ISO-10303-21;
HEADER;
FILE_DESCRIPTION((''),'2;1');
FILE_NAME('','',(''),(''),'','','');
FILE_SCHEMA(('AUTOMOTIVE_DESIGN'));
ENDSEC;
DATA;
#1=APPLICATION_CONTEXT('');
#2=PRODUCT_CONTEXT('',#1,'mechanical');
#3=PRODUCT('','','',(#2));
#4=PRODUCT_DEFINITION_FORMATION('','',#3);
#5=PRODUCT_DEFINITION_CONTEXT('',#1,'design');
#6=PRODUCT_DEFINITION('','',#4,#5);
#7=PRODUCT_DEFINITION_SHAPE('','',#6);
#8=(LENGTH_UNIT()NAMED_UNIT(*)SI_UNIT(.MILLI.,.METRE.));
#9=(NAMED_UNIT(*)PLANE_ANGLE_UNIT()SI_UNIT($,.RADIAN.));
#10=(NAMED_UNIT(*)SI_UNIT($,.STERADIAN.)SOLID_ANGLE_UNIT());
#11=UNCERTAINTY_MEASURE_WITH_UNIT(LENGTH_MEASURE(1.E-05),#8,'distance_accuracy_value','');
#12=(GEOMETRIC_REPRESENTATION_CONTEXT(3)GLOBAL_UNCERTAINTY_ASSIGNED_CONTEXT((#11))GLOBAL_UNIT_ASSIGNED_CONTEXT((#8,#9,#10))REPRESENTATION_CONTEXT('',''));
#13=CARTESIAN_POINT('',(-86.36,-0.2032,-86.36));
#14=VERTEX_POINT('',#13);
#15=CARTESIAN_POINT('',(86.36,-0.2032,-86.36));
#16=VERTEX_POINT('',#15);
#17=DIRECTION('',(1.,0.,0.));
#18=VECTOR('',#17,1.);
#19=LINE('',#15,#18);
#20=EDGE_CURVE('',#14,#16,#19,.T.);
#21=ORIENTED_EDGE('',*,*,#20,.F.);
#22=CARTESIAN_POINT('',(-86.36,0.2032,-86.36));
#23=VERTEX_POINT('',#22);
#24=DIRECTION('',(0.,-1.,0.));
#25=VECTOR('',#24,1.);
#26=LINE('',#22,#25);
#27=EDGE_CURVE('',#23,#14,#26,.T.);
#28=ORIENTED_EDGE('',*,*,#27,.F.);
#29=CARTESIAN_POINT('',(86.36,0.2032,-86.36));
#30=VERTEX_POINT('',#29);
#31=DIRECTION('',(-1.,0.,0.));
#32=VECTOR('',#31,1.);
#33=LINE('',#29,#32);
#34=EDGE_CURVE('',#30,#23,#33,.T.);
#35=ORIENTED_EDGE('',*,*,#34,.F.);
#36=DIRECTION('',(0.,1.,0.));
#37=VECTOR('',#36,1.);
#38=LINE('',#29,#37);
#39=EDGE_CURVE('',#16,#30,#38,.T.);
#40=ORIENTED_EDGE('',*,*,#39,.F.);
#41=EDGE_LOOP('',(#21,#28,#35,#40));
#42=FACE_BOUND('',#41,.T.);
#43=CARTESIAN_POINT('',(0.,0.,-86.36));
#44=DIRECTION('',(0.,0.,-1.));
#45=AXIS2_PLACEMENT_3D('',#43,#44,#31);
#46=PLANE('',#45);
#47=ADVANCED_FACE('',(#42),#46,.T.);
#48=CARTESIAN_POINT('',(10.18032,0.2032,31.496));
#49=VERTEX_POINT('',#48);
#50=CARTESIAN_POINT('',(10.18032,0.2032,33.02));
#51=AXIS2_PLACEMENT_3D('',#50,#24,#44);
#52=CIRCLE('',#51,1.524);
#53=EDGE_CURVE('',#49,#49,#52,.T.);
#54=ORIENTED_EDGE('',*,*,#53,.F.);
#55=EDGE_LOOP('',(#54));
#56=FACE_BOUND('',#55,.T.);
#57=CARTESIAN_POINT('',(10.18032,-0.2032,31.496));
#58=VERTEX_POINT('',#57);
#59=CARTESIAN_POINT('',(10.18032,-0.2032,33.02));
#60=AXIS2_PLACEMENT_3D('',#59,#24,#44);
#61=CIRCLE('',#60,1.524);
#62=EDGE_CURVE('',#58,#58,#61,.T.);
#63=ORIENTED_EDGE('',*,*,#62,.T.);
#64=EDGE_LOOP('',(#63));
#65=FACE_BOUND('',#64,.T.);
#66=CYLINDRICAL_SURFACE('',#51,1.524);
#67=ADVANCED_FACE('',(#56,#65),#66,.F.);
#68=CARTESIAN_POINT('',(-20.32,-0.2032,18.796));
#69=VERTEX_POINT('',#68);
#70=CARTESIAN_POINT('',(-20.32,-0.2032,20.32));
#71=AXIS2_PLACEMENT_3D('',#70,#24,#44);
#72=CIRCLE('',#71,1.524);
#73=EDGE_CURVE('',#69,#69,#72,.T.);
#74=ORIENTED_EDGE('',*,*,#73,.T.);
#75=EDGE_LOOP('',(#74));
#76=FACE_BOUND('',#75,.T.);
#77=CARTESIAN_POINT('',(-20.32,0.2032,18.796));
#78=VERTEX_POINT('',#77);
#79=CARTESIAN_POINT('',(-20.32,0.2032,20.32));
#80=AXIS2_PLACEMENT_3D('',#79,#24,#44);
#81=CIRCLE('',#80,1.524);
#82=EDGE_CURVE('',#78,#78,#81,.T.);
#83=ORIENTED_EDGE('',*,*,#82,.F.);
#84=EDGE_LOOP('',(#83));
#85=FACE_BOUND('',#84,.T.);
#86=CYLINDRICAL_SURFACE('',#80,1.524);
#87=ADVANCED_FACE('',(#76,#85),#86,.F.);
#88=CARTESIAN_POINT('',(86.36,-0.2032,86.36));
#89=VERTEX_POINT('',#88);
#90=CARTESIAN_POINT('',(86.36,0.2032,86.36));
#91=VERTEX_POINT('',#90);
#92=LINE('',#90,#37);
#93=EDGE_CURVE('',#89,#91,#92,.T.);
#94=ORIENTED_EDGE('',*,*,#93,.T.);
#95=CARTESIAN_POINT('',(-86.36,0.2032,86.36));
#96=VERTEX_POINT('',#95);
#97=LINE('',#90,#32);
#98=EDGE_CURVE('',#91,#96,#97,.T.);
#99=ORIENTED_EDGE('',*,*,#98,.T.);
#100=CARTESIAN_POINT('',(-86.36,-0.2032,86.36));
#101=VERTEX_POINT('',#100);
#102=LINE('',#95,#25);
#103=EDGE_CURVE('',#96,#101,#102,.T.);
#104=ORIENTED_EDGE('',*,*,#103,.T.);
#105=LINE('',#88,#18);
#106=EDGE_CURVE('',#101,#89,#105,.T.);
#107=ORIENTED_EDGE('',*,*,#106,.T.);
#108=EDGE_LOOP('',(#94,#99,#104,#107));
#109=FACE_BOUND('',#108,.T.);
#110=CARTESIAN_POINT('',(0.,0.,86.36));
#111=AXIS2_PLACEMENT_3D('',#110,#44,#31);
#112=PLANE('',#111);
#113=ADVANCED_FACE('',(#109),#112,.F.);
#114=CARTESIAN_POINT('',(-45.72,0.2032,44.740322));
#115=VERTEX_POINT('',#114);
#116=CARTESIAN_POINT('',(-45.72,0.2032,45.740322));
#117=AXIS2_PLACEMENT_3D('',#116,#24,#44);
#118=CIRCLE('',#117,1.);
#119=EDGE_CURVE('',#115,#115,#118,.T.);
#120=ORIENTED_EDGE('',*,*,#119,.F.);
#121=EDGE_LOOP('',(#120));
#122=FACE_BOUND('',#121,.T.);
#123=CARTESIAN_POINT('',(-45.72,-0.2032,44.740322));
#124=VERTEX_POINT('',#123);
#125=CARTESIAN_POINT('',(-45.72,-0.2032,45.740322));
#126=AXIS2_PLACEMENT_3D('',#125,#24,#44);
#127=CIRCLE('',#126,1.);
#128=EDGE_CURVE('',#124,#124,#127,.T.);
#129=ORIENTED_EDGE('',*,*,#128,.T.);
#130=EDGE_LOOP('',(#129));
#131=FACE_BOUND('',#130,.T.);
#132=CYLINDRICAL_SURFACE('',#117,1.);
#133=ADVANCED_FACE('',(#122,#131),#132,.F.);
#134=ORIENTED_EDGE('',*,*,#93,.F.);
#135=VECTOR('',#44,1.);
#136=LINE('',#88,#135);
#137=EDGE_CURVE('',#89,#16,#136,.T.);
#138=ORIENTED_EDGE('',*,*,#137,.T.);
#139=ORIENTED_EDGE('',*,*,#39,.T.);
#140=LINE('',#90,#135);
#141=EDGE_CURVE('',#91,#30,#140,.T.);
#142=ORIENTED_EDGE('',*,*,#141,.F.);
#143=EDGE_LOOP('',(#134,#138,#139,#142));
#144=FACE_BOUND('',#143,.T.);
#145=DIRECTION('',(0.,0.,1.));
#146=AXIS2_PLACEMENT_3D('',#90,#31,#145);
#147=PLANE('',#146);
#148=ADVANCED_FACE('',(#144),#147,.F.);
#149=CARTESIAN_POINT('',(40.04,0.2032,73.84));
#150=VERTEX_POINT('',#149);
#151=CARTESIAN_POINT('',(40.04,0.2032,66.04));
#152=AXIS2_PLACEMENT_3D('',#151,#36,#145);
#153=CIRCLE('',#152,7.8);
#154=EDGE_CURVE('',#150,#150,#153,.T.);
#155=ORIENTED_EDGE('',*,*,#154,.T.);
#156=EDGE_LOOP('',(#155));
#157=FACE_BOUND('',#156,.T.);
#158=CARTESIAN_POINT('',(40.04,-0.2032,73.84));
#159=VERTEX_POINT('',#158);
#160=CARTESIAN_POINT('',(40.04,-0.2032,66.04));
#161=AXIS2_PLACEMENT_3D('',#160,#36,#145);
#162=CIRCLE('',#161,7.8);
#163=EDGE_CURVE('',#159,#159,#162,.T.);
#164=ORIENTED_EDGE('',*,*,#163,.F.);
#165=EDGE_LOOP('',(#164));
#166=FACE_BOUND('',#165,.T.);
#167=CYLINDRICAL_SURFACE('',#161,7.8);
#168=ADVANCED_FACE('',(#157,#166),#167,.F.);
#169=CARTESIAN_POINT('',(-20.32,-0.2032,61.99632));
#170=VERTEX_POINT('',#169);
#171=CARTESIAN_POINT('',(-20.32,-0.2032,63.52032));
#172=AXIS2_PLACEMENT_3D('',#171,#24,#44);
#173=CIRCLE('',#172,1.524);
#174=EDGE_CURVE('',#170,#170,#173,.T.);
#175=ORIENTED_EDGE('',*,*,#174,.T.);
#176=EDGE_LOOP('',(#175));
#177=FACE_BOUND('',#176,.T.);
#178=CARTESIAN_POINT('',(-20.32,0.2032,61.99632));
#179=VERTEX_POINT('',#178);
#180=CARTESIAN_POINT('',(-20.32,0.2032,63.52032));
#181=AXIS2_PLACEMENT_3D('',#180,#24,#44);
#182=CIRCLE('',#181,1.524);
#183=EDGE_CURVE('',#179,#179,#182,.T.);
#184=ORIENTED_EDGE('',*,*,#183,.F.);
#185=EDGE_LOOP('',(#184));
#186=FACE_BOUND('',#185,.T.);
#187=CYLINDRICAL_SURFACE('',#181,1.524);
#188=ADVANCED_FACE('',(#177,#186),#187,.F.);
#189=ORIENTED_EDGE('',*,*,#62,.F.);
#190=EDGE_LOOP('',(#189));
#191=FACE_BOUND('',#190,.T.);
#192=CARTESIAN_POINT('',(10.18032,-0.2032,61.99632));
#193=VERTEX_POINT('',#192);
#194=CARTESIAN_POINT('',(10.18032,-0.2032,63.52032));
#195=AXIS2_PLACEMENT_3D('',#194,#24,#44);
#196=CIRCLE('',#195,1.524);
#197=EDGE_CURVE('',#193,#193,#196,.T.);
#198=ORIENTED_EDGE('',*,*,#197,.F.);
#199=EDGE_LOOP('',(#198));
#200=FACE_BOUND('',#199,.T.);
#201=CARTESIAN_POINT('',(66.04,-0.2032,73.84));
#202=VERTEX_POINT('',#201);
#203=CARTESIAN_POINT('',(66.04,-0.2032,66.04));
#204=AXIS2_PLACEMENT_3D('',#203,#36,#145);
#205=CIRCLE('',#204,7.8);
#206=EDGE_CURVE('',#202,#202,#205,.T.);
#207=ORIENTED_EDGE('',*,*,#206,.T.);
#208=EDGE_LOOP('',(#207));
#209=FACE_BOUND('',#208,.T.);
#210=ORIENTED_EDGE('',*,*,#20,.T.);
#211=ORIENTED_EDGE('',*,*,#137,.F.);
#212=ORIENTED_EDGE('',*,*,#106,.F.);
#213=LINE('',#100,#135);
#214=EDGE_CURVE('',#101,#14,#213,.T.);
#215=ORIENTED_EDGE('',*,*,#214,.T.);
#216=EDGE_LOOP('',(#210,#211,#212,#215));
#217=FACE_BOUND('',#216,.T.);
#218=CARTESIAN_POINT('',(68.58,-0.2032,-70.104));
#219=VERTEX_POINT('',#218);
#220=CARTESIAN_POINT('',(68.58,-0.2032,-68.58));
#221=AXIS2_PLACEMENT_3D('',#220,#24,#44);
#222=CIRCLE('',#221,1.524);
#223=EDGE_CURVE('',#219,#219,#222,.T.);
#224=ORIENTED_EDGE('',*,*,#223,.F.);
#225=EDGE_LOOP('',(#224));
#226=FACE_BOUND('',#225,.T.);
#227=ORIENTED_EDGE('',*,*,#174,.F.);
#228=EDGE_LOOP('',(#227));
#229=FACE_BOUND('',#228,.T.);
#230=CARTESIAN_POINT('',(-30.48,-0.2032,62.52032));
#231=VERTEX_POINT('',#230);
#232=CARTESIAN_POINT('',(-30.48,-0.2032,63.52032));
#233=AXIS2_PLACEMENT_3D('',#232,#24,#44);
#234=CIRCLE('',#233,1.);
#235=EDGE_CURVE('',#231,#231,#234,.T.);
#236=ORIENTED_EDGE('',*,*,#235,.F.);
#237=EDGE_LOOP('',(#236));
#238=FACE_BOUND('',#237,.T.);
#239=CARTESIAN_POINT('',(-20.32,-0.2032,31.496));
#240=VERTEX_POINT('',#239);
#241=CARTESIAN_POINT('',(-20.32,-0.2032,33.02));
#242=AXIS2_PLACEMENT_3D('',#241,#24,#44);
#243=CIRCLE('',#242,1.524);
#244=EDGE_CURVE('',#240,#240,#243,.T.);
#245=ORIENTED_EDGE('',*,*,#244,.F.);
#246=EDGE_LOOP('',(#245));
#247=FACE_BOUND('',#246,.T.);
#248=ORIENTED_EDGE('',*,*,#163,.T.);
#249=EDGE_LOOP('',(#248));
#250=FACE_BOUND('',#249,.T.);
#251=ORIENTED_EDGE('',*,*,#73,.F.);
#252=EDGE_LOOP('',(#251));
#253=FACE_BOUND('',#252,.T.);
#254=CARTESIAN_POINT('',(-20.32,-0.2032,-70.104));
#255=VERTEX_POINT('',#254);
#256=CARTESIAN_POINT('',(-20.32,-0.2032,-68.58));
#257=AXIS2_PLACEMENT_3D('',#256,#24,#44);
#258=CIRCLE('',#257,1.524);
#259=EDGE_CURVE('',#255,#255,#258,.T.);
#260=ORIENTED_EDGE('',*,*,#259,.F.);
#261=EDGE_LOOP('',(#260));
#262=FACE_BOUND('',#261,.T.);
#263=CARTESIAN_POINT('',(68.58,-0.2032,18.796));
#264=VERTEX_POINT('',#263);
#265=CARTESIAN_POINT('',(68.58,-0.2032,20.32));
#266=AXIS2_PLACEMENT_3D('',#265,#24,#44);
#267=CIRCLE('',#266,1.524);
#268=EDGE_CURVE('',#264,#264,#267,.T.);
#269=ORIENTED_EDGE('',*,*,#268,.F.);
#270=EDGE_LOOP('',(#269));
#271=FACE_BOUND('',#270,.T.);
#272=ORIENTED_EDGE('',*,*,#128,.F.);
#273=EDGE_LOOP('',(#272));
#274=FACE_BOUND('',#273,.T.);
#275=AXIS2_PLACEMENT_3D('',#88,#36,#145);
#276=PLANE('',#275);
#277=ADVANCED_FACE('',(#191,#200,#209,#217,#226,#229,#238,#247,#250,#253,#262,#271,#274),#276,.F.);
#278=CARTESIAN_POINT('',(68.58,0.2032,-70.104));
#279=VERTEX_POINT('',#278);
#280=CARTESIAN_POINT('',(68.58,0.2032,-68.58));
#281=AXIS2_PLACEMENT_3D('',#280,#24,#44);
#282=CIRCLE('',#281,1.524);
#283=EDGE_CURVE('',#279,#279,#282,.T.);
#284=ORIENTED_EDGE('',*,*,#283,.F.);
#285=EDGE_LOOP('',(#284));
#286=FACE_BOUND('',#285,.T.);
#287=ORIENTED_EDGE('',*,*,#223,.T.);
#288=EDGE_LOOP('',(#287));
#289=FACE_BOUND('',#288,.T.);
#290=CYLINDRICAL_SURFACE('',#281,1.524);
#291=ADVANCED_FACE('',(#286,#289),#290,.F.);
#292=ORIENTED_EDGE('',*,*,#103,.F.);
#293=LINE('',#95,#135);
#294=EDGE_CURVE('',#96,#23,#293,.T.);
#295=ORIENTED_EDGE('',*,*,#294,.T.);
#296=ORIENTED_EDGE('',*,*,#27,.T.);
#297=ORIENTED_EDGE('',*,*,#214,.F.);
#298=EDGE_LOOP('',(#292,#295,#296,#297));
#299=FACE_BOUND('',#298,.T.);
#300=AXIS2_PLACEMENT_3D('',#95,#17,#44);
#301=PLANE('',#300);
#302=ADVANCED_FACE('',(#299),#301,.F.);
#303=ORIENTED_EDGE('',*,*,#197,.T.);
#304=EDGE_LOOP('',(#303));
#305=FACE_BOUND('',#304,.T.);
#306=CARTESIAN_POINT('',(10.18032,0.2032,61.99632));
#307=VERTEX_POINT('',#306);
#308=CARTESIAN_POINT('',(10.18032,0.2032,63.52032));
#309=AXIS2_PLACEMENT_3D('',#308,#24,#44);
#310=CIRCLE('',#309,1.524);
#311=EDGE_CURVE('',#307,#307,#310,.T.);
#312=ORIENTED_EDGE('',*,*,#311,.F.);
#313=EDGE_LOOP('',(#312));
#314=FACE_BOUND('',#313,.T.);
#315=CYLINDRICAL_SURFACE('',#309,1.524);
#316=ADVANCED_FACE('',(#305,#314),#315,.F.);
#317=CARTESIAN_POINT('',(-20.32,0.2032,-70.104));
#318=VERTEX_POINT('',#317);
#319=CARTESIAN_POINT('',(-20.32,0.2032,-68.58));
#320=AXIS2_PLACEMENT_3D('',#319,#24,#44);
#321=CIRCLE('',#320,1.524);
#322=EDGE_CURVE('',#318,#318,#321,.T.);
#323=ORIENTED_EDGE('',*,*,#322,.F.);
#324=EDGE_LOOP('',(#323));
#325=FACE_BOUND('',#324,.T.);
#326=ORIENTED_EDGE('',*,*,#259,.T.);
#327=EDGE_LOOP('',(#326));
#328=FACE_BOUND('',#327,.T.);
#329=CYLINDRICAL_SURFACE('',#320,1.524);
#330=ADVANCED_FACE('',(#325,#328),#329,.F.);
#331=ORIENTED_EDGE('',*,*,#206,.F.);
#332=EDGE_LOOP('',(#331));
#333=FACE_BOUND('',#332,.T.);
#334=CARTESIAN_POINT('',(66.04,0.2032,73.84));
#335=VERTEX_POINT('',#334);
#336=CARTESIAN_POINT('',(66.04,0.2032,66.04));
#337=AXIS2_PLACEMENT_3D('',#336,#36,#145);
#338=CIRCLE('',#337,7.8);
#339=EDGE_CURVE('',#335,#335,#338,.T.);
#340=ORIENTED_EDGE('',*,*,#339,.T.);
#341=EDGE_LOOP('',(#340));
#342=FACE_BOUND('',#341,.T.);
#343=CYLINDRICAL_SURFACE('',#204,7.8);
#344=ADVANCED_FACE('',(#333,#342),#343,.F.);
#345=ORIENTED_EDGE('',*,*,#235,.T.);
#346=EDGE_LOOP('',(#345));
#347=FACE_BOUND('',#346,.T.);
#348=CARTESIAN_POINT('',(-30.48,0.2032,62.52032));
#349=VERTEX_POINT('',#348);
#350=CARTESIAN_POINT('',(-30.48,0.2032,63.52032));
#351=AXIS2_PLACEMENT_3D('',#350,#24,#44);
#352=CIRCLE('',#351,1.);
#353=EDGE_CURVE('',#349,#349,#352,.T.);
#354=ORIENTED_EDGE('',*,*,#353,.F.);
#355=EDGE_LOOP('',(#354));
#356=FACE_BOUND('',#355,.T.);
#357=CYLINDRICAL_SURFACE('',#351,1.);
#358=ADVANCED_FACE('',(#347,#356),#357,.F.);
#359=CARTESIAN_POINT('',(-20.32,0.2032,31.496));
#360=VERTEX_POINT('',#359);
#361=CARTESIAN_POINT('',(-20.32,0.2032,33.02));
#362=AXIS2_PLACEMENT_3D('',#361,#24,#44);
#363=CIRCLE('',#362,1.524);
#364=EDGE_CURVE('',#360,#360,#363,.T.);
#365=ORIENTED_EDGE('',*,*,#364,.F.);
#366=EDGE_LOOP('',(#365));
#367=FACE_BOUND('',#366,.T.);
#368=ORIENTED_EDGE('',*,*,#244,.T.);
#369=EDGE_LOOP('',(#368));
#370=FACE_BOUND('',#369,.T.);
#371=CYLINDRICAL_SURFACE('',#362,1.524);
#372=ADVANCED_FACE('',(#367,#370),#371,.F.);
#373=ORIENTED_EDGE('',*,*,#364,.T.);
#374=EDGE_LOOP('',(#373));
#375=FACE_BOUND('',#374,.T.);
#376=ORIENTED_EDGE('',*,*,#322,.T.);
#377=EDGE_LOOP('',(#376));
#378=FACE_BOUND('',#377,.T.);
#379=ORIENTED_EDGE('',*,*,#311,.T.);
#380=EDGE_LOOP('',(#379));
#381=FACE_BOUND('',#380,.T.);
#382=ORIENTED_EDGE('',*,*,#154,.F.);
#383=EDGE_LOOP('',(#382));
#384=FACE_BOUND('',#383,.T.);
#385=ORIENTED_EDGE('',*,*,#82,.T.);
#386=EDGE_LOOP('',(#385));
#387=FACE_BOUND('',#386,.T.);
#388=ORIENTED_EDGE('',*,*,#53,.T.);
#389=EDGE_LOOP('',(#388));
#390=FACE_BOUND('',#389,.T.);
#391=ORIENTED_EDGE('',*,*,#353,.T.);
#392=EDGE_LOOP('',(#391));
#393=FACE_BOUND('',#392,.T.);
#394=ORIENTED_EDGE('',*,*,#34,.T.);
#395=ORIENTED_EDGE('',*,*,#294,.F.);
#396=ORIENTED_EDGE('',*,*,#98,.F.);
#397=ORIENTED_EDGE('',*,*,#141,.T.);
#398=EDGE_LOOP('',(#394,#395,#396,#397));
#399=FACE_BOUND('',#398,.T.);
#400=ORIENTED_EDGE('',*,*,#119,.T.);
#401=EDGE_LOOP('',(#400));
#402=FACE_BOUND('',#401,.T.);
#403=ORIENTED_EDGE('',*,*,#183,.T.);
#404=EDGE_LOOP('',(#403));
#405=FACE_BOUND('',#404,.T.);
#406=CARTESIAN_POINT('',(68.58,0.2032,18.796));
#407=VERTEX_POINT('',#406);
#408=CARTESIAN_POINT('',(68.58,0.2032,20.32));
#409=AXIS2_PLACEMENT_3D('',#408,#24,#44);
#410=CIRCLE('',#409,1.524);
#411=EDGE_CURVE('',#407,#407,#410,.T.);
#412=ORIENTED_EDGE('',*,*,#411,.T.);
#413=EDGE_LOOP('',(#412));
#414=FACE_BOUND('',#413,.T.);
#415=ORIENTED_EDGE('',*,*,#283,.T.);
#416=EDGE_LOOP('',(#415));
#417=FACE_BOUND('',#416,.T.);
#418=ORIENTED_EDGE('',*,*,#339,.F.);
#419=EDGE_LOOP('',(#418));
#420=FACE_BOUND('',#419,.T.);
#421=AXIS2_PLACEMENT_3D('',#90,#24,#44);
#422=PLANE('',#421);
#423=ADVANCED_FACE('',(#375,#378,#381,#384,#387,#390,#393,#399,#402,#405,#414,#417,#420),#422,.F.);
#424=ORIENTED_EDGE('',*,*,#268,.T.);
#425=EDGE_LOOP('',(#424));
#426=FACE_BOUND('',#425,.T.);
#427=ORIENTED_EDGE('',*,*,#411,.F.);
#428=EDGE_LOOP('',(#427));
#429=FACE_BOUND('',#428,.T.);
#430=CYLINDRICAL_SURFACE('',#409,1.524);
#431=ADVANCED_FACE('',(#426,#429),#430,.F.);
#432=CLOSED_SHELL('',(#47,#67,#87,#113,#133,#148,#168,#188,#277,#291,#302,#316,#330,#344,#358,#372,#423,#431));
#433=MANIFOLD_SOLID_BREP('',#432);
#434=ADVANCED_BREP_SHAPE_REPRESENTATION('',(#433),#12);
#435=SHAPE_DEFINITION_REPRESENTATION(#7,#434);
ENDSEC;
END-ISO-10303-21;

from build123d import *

# Parameters (mm, degrees)
BOSS_EXTRUDE1_DEPTH      = 86.36
BOSS_EXTRUDE1_DEPTH_BACK = 86.36
SKETCH3_W                = 172.72
SKETCH3_H                = 0.4064
SKETCH4_R                = 7.800000021
CUT_EXTRUDE1_DEPTH       = 123.132159405
SKETCH6_R                = 1.524
SKETCH6_R_2              = 1
CUT_EXTRUDE2_DEPTH       = 123.132159405


with BuildPart() as part:
    # Sketch3 → Boss-Extrude1 (new, two sides: drawn at the far end of the back side and taken through both)
    with BuildSketch(Plane.XY.offset(-BOSS_EXTRUDE1_DEPTH_BACK)):
        Rectangle(SKETCH3_W, SKETCH3_H)
    extrude(amount=BOSS_EXTRUDE1_DEPTH + BOSS_EXTRUDE1_DEPTH_BACK)

    # Sketch4 → Cut-Extrude1 (cut, through all)
    with BuildSketch(Plane(origin=(0, 0.2032, 0), x_dir=(1, 0, 0), z_dir=(0, 1, 0))):
        with Locations(Location((40.04, -66.04, 0), (0, 0, 270))):
            Circle(SKETCH4_R)
        with Locations(Location((66.04, -66.04, 0), (0, 0, 270))):
            Circle(SKETCH4_R)
    extrude(amount=-CUT_EXTRUDE1_DEPTH, mode=Mode.SUBTRACT)

    # Sketch6 → Cut-Extrude2 (cut, through all)
    with BuildSketch(Plane.XZ.offset(0.2032)):
        with Locations(Location((-20.32, 20.32, 0), (0, 0, 270))):
            Circle(SKETCH6_R)
        with Locations(Location((68.58, 20.32, 0), (0, 0, 270))):
            Circle(SKETCH6_R)
        with Locations(Location((68.58, -68.58, 0), (0, 0, 270))):
            Circle(SKETCH6_R)
        with Locations(Location((-20.32, -68.58, 0), (0, 0, 270))):
            Circle(SKETCH6_R)
        with Locations(Location((-20.32, 33.02, 0), (0, 0, 270))):
            Circle(SKETCH6_R)
        with Locations(Location((-20.32, 63.52032, 0), (0, 0, 270))):
            Circle(SKETCH6_R)
        with Locations(Location((10.18032, 63.52032, 0), (0, 0, 270))):
            Circle(SKETCH6_R)
        with Locations(Location((10.18032, 33.02, 0), (0, 0, 270))):
            Circle(SKETCH6_R)
        with Locations(Location((-45.72, 45.74032153, 0), (0, 0, 270))):
            Circle(SKETCH6_R_2)
        with Locations(Location((-30.48, 63.52032, 0), (0, 0, 270))):
            Circle(SKETCH6_R_2)
    extrude(amount=-CUT_EXTRUDE2_DEPTH, mode=Mode.SUBTRACT)


solid = part.part
